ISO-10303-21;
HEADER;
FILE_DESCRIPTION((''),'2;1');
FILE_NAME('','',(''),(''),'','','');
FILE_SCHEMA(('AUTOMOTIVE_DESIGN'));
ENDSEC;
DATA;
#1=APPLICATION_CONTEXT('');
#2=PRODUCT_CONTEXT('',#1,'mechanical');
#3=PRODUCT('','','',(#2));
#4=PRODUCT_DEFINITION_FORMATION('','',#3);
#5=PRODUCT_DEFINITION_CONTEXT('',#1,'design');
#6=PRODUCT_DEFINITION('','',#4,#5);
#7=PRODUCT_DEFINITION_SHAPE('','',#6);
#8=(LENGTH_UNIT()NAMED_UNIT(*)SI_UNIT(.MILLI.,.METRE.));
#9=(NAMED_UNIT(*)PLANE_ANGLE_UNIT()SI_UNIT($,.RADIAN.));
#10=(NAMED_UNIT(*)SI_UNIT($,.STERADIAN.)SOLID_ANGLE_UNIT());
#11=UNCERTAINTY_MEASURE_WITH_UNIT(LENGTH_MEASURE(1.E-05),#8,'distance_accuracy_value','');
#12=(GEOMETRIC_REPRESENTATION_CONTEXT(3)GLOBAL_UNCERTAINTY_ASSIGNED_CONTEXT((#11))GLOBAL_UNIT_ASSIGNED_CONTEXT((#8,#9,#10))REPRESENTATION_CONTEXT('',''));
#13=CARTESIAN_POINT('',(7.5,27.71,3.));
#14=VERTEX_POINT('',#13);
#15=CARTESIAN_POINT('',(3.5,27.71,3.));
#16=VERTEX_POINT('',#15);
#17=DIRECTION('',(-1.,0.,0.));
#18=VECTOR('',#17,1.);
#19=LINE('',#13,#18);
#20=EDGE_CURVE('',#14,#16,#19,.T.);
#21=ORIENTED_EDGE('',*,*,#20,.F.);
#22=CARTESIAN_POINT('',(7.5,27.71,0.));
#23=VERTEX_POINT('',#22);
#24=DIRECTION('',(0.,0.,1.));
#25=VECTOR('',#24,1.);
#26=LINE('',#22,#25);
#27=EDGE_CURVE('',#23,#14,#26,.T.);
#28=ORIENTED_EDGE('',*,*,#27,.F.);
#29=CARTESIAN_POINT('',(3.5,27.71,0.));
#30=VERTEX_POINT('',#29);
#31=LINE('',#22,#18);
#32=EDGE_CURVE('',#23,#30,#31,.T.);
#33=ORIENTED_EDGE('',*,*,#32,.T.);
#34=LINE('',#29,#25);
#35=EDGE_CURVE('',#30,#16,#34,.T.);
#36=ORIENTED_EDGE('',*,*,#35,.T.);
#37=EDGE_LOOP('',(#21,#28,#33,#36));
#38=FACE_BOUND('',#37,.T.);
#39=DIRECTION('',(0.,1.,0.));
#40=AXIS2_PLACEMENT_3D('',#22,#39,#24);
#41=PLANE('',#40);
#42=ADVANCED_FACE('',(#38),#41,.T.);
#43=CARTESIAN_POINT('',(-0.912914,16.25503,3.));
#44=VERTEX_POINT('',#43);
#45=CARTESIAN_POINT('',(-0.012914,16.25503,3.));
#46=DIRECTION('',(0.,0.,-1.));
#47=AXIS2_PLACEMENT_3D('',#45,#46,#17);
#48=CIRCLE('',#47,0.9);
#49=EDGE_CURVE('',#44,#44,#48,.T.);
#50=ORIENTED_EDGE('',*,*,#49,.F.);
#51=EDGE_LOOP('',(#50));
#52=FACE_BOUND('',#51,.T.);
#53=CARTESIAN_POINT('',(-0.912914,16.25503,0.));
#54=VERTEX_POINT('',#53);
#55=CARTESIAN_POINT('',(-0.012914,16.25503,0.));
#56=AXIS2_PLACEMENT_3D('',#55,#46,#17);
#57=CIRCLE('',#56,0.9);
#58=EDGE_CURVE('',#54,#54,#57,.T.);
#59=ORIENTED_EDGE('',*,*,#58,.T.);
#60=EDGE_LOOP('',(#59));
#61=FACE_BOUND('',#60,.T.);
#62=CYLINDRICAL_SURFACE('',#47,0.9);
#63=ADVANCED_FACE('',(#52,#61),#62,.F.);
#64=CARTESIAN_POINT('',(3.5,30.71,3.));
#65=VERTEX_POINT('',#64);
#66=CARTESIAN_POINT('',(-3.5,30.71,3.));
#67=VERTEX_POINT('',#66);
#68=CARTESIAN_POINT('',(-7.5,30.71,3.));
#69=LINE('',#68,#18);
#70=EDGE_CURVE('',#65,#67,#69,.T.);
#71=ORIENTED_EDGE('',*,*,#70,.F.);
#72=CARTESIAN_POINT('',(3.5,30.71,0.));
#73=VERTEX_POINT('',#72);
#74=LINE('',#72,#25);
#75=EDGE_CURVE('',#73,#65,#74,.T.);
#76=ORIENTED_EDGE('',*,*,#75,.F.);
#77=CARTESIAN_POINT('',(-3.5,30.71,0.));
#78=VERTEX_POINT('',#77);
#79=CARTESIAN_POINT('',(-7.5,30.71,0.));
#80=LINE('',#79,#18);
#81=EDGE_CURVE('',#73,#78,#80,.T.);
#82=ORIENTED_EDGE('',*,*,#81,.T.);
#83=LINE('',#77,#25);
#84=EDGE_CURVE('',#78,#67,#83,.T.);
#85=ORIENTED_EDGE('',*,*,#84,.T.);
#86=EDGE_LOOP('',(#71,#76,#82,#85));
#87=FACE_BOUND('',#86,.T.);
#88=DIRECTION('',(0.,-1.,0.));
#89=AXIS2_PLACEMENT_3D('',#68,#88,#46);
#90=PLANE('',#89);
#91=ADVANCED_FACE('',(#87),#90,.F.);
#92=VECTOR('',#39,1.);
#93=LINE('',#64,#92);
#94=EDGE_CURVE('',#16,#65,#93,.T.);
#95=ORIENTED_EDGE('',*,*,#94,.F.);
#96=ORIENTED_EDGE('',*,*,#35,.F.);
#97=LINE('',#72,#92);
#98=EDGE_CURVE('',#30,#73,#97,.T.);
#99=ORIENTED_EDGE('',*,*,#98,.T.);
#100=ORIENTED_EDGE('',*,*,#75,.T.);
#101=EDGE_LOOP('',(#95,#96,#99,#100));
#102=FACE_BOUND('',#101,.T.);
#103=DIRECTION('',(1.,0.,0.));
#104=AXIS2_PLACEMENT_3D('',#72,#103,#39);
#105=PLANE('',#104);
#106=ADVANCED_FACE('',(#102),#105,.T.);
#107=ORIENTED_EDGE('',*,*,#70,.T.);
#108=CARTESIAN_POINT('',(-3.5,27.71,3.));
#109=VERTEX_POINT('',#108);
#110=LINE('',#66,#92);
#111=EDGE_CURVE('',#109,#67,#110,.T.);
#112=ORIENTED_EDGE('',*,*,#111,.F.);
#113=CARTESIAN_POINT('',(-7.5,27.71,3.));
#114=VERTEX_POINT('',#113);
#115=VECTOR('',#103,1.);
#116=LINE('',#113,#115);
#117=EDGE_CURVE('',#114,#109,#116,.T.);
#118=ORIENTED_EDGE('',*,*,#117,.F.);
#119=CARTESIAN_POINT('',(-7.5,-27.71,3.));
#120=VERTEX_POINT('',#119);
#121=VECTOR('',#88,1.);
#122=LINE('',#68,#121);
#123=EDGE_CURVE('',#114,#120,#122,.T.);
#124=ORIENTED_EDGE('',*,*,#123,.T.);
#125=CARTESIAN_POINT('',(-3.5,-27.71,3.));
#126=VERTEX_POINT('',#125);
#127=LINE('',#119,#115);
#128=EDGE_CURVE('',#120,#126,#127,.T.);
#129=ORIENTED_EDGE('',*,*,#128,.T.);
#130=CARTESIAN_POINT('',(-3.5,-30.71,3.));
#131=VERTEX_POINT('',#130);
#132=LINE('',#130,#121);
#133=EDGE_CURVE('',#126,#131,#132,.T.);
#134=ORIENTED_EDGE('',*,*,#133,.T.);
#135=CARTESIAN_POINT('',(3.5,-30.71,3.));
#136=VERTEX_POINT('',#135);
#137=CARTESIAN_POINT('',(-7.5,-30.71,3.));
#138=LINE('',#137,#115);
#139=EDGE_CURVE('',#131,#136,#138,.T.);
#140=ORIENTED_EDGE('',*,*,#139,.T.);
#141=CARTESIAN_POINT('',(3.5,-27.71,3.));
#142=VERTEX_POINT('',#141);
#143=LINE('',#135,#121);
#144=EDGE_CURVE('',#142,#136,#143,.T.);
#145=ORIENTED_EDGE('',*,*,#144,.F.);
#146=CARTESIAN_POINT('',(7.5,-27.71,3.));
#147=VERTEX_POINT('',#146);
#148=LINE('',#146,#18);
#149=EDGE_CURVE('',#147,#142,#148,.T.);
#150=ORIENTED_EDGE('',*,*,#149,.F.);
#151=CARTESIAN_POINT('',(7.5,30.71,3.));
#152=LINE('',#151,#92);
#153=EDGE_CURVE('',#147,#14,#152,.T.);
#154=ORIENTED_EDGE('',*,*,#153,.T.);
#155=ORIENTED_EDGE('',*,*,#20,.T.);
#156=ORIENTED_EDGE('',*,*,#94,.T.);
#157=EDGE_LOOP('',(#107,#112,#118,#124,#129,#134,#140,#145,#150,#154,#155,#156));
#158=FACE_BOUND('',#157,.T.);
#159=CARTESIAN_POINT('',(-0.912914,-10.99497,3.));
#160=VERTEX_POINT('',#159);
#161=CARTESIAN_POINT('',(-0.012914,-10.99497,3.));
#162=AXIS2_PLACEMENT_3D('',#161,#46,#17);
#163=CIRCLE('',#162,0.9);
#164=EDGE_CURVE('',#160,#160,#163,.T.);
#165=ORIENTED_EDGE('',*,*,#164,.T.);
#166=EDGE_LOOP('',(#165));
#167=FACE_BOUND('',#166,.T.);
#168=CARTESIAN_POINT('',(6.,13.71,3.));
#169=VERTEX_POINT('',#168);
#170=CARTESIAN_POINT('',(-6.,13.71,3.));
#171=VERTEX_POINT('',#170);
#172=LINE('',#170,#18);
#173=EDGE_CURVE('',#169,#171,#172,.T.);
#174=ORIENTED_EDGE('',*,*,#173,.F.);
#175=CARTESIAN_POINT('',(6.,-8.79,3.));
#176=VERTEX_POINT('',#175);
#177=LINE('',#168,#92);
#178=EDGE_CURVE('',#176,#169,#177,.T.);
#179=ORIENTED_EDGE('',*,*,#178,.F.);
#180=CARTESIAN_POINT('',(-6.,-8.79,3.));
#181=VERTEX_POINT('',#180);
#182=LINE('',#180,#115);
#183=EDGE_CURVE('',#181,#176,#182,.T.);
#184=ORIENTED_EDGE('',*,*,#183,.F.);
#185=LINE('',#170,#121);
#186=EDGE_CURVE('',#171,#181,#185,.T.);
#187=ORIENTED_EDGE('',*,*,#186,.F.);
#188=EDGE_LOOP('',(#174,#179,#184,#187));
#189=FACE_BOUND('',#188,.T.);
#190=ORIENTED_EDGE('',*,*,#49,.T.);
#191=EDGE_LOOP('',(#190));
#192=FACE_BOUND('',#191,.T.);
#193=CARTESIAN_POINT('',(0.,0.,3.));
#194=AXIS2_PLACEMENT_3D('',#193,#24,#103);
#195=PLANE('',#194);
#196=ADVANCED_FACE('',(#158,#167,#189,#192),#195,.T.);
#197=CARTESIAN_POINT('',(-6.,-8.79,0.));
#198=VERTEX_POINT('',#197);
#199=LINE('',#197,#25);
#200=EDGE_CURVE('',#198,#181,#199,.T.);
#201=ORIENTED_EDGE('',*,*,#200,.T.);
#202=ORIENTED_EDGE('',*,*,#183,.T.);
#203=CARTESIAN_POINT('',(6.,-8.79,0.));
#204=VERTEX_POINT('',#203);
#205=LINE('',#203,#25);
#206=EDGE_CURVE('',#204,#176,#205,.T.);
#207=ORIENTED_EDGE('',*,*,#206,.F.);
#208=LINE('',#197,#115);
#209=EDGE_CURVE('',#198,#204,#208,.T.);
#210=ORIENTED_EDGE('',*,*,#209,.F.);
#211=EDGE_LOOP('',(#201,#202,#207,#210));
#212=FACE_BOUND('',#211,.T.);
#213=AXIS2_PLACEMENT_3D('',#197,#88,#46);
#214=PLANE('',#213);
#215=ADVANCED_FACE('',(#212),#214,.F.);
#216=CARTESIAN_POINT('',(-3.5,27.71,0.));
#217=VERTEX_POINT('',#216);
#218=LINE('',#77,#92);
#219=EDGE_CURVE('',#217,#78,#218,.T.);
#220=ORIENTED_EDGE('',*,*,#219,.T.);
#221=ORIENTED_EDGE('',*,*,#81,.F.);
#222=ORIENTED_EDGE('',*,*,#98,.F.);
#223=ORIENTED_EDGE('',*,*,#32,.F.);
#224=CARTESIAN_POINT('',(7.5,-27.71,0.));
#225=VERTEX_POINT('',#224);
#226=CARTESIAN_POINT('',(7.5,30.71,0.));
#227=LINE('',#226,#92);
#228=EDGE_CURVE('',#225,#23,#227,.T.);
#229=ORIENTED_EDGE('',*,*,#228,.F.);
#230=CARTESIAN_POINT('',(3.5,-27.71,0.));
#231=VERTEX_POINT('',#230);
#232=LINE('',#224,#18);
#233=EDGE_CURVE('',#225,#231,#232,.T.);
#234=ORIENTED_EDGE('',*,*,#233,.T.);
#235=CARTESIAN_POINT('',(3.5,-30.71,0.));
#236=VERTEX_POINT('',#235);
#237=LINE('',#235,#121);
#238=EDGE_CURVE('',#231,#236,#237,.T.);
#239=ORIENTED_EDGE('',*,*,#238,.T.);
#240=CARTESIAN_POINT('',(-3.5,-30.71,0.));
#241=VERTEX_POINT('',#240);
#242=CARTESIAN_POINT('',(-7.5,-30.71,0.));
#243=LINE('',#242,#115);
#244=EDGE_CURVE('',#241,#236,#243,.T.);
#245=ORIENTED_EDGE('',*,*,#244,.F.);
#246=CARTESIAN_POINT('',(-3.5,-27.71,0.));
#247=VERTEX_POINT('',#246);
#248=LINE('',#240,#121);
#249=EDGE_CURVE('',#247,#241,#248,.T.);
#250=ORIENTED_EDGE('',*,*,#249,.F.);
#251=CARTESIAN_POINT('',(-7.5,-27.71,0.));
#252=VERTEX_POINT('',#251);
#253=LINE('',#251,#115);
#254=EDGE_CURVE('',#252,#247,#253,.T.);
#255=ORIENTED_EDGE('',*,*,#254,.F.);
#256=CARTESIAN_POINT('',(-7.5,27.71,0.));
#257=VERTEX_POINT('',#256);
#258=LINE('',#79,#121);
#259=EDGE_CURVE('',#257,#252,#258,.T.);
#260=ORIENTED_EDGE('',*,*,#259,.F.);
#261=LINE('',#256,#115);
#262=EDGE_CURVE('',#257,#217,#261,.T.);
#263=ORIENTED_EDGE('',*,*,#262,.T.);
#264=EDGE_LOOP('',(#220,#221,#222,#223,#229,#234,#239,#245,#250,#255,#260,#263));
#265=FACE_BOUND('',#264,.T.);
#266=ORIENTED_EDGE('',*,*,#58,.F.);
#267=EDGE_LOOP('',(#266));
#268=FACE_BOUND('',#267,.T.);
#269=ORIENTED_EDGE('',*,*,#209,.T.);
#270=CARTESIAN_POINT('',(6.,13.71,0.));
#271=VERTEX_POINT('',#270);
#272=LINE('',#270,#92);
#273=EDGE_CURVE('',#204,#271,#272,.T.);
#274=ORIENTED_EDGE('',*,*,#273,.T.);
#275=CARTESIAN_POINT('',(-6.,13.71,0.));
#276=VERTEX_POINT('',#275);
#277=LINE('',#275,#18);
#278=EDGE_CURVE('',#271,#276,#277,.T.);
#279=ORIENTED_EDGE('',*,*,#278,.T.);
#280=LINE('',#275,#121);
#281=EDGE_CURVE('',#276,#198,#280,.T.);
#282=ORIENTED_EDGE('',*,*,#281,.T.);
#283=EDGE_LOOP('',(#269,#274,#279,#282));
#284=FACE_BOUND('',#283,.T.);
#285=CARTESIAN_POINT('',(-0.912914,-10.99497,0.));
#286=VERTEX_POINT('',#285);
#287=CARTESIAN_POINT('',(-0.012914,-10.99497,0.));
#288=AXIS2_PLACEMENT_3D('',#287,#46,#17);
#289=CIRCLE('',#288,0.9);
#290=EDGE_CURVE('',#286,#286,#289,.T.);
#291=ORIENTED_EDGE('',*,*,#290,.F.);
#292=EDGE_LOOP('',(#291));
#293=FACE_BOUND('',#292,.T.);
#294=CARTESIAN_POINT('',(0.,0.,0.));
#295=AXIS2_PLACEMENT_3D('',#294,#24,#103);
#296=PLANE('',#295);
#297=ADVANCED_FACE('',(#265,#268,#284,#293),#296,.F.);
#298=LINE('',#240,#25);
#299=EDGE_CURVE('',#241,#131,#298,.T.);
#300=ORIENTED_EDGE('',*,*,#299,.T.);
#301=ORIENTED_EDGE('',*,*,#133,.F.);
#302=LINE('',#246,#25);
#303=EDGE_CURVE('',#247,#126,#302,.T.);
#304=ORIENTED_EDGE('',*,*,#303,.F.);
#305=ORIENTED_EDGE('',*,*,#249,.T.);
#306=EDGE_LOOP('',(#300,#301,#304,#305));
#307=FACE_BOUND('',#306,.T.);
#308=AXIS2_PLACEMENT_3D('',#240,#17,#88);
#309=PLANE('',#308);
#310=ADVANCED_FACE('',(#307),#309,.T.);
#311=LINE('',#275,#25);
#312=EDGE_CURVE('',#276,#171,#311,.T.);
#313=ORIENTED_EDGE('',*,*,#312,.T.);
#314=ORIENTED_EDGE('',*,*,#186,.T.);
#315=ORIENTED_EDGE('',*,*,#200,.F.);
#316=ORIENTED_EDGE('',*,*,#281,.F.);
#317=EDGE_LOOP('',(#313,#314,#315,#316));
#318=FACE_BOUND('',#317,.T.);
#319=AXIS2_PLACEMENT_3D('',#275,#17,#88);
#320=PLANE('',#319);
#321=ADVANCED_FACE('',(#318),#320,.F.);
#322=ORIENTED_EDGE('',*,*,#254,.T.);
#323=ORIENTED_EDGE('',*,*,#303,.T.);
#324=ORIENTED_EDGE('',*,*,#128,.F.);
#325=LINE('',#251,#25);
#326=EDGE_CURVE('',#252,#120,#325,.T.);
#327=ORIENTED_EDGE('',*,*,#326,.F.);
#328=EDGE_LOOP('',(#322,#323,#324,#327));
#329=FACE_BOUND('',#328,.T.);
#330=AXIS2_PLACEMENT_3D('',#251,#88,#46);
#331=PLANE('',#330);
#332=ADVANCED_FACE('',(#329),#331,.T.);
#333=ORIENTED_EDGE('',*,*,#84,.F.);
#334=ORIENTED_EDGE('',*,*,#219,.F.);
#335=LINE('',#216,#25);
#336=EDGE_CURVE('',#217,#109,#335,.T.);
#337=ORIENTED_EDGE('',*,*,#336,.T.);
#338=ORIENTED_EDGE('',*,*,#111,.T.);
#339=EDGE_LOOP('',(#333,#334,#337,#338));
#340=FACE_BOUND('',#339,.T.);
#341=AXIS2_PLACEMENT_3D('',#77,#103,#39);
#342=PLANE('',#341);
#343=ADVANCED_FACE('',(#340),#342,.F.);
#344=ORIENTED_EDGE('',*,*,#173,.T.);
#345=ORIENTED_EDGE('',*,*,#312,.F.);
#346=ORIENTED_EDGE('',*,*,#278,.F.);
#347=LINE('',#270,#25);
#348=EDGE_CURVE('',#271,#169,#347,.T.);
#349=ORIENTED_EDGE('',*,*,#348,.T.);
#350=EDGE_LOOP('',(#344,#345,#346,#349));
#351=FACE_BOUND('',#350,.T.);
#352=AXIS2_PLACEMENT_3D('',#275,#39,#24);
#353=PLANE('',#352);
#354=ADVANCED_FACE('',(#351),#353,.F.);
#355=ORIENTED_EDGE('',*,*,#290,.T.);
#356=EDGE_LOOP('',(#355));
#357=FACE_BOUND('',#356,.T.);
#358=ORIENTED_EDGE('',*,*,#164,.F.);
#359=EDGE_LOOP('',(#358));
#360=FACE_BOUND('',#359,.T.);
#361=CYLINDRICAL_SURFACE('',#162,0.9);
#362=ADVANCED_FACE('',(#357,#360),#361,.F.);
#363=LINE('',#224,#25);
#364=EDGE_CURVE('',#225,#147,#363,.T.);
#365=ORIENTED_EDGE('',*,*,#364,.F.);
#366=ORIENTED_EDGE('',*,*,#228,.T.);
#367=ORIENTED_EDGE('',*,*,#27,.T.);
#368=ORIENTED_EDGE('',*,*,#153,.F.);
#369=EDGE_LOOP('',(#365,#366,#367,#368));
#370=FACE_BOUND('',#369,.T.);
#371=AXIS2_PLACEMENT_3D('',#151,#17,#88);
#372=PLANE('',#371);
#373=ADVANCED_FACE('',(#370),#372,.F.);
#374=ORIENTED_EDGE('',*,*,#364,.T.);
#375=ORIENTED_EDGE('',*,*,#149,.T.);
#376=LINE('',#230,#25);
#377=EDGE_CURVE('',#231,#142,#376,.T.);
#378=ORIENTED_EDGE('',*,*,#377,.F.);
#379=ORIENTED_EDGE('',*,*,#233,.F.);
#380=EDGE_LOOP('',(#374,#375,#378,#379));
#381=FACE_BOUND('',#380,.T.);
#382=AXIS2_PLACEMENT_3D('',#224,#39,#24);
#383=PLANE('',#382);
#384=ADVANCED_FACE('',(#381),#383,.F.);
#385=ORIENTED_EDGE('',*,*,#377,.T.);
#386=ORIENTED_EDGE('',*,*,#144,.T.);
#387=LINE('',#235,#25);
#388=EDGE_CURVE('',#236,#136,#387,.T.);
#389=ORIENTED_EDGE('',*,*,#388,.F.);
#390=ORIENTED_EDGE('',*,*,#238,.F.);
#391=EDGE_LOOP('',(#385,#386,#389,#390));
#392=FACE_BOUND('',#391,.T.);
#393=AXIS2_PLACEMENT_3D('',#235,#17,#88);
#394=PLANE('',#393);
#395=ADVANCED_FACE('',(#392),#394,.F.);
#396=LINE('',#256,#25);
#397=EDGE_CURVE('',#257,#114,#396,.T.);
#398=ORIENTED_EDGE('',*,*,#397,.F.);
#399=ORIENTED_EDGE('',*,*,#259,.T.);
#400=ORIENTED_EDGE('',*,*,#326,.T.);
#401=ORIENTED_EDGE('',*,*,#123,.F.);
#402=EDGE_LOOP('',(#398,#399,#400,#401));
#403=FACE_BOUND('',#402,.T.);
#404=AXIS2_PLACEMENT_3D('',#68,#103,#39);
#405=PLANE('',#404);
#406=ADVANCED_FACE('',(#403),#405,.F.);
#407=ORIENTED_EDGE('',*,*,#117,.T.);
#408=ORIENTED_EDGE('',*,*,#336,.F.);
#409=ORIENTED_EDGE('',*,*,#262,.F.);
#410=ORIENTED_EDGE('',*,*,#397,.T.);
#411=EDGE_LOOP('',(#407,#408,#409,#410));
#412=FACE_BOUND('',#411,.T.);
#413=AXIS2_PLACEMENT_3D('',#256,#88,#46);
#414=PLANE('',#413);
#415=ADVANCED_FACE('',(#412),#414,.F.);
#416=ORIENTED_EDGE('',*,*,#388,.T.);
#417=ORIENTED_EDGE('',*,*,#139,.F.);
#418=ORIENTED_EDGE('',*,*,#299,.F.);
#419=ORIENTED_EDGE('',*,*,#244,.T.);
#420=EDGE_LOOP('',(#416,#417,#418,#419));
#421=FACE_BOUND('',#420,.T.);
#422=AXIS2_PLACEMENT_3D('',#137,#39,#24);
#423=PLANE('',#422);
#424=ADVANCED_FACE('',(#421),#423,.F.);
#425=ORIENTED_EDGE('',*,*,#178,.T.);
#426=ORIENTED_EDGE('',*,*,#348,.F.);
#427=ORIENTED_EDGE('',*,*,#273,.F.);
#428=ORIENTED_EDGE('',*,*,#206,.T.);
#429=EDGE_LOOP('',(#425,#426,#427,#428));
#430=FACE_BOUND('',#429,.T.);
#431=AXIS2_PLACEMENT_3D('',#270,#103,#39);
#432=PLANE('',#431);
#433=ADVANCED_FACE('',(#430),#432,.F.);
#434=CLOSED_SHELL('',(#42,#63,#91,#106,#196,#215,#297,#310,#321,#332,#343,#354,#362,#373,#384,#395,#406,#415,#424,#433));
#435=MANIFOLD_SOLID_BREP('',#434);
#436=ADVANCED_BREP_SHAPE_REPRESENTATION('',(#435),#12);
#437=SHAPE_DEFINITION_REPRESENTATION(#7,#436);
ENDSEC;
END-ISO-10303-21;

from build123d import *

# Parameters (mm, degrees)
SKETCH1_W               = 15
SKETCH1_H               = 61.42
BOSS_EXTRUDE2_DEPTH     = 3
SKETCH4_W               = 4
SKETCH4_H               = 3
CUT_EXTRUDE2_DEPTH      = 3
MIRROR2_COPY_1_SKETCH_W = 4
MIRROR2_COPY_1_SKETCH_H = 3
MIRROR2_COPY_1_DEPTH    = 3
SKETCH5_W               = 12
SKETCH5_H               = 22.5
CUT_EXTRUDE3_DEPTH      = 3
SKETCH7_R               = 0.9
CUT_EXTRUDE4_DEPTH      = 4


with BuildPart() as part:
    # Sketch1 → Boss-Extrude2 (new body)
    with BuildSketch(Plane.XY):
        Rectangle(SKETCH1_W, SKETCH1_H)
    extrude(amount=BOSS_EXTRUDE2_DEPTH)

    # Sketch4 → Cut-Extrude2 (cut)
    with BuildSketch(Plane.XY.offset(3)):
        with Locations((-5.5, 29.21)):
            Rectangle(SKETCH4_W, SKETCH4_H)
    cut_extrude2 = extrude(amount=-CUT_EXTRUDE2_DEPTH, mode=Mode.SUBTRACT)

    # Mirror1: Cut-Extrude2 across plane
    add(cut_extrude2.mirror(Plane(origin=(0, 0, 0), x_dir=(0, 0, 1), z_dir=(1, 0, 0))), mode=Mode.SUBTRACT)

    # Mirror2: Cut-Extrude2 across plane
    add(cut_extrude2.mirror(Plane.ZX), mode=Mode.SUBTRACT)

    # Mirror2 copy 1 sketch → Mirror2 copy 1 (cut)
    with BuildSketch(Plane(origin=(0, 0, 3), x_dir=(-1, 0, 0), z_dir=(0, 0, 1))):
        with Locations((-5.5, 29.21)):
            Rectangle(MIRROR2_COPY_1_SKETCH_W, MIRROR2_COPY_1_SKETCH_H)
    extrude(amount=-MIRROR2_COPY_1_DEPTH, mode=Mode.SUBTRACT)

    # Sketch5 → Cut-Extrude3 (cut)
    with BuildSketch(Plane.XY.offset(3)):
        with Locations((0, 2.46)):
            Rectangle(SKETCH5_W, SKETCH5_H)
    extrude(amount=-CUT_EXTRUDE3_DEPTH, mode=Mode.SUBTRACT)

    # Sketch7 → Cut-Extrude4 (cut, through all)
    with BuildSketch(Plane(origin=(0, 0, 0), x_dir=(-1, 0, 0), z_dir=(0, 0, -1))):
        with Locations((0.012913573, 16.255029587)):
            Circle(SKETCH7_R)
        with Locations((0.012913573, -10.994970413)):
            Circle(SKETCH7_R)
    extrude(amount=-CUT_EXTRUDE4_DEPTH, mode=Mode.SUBTRACT)


solid = part.part
